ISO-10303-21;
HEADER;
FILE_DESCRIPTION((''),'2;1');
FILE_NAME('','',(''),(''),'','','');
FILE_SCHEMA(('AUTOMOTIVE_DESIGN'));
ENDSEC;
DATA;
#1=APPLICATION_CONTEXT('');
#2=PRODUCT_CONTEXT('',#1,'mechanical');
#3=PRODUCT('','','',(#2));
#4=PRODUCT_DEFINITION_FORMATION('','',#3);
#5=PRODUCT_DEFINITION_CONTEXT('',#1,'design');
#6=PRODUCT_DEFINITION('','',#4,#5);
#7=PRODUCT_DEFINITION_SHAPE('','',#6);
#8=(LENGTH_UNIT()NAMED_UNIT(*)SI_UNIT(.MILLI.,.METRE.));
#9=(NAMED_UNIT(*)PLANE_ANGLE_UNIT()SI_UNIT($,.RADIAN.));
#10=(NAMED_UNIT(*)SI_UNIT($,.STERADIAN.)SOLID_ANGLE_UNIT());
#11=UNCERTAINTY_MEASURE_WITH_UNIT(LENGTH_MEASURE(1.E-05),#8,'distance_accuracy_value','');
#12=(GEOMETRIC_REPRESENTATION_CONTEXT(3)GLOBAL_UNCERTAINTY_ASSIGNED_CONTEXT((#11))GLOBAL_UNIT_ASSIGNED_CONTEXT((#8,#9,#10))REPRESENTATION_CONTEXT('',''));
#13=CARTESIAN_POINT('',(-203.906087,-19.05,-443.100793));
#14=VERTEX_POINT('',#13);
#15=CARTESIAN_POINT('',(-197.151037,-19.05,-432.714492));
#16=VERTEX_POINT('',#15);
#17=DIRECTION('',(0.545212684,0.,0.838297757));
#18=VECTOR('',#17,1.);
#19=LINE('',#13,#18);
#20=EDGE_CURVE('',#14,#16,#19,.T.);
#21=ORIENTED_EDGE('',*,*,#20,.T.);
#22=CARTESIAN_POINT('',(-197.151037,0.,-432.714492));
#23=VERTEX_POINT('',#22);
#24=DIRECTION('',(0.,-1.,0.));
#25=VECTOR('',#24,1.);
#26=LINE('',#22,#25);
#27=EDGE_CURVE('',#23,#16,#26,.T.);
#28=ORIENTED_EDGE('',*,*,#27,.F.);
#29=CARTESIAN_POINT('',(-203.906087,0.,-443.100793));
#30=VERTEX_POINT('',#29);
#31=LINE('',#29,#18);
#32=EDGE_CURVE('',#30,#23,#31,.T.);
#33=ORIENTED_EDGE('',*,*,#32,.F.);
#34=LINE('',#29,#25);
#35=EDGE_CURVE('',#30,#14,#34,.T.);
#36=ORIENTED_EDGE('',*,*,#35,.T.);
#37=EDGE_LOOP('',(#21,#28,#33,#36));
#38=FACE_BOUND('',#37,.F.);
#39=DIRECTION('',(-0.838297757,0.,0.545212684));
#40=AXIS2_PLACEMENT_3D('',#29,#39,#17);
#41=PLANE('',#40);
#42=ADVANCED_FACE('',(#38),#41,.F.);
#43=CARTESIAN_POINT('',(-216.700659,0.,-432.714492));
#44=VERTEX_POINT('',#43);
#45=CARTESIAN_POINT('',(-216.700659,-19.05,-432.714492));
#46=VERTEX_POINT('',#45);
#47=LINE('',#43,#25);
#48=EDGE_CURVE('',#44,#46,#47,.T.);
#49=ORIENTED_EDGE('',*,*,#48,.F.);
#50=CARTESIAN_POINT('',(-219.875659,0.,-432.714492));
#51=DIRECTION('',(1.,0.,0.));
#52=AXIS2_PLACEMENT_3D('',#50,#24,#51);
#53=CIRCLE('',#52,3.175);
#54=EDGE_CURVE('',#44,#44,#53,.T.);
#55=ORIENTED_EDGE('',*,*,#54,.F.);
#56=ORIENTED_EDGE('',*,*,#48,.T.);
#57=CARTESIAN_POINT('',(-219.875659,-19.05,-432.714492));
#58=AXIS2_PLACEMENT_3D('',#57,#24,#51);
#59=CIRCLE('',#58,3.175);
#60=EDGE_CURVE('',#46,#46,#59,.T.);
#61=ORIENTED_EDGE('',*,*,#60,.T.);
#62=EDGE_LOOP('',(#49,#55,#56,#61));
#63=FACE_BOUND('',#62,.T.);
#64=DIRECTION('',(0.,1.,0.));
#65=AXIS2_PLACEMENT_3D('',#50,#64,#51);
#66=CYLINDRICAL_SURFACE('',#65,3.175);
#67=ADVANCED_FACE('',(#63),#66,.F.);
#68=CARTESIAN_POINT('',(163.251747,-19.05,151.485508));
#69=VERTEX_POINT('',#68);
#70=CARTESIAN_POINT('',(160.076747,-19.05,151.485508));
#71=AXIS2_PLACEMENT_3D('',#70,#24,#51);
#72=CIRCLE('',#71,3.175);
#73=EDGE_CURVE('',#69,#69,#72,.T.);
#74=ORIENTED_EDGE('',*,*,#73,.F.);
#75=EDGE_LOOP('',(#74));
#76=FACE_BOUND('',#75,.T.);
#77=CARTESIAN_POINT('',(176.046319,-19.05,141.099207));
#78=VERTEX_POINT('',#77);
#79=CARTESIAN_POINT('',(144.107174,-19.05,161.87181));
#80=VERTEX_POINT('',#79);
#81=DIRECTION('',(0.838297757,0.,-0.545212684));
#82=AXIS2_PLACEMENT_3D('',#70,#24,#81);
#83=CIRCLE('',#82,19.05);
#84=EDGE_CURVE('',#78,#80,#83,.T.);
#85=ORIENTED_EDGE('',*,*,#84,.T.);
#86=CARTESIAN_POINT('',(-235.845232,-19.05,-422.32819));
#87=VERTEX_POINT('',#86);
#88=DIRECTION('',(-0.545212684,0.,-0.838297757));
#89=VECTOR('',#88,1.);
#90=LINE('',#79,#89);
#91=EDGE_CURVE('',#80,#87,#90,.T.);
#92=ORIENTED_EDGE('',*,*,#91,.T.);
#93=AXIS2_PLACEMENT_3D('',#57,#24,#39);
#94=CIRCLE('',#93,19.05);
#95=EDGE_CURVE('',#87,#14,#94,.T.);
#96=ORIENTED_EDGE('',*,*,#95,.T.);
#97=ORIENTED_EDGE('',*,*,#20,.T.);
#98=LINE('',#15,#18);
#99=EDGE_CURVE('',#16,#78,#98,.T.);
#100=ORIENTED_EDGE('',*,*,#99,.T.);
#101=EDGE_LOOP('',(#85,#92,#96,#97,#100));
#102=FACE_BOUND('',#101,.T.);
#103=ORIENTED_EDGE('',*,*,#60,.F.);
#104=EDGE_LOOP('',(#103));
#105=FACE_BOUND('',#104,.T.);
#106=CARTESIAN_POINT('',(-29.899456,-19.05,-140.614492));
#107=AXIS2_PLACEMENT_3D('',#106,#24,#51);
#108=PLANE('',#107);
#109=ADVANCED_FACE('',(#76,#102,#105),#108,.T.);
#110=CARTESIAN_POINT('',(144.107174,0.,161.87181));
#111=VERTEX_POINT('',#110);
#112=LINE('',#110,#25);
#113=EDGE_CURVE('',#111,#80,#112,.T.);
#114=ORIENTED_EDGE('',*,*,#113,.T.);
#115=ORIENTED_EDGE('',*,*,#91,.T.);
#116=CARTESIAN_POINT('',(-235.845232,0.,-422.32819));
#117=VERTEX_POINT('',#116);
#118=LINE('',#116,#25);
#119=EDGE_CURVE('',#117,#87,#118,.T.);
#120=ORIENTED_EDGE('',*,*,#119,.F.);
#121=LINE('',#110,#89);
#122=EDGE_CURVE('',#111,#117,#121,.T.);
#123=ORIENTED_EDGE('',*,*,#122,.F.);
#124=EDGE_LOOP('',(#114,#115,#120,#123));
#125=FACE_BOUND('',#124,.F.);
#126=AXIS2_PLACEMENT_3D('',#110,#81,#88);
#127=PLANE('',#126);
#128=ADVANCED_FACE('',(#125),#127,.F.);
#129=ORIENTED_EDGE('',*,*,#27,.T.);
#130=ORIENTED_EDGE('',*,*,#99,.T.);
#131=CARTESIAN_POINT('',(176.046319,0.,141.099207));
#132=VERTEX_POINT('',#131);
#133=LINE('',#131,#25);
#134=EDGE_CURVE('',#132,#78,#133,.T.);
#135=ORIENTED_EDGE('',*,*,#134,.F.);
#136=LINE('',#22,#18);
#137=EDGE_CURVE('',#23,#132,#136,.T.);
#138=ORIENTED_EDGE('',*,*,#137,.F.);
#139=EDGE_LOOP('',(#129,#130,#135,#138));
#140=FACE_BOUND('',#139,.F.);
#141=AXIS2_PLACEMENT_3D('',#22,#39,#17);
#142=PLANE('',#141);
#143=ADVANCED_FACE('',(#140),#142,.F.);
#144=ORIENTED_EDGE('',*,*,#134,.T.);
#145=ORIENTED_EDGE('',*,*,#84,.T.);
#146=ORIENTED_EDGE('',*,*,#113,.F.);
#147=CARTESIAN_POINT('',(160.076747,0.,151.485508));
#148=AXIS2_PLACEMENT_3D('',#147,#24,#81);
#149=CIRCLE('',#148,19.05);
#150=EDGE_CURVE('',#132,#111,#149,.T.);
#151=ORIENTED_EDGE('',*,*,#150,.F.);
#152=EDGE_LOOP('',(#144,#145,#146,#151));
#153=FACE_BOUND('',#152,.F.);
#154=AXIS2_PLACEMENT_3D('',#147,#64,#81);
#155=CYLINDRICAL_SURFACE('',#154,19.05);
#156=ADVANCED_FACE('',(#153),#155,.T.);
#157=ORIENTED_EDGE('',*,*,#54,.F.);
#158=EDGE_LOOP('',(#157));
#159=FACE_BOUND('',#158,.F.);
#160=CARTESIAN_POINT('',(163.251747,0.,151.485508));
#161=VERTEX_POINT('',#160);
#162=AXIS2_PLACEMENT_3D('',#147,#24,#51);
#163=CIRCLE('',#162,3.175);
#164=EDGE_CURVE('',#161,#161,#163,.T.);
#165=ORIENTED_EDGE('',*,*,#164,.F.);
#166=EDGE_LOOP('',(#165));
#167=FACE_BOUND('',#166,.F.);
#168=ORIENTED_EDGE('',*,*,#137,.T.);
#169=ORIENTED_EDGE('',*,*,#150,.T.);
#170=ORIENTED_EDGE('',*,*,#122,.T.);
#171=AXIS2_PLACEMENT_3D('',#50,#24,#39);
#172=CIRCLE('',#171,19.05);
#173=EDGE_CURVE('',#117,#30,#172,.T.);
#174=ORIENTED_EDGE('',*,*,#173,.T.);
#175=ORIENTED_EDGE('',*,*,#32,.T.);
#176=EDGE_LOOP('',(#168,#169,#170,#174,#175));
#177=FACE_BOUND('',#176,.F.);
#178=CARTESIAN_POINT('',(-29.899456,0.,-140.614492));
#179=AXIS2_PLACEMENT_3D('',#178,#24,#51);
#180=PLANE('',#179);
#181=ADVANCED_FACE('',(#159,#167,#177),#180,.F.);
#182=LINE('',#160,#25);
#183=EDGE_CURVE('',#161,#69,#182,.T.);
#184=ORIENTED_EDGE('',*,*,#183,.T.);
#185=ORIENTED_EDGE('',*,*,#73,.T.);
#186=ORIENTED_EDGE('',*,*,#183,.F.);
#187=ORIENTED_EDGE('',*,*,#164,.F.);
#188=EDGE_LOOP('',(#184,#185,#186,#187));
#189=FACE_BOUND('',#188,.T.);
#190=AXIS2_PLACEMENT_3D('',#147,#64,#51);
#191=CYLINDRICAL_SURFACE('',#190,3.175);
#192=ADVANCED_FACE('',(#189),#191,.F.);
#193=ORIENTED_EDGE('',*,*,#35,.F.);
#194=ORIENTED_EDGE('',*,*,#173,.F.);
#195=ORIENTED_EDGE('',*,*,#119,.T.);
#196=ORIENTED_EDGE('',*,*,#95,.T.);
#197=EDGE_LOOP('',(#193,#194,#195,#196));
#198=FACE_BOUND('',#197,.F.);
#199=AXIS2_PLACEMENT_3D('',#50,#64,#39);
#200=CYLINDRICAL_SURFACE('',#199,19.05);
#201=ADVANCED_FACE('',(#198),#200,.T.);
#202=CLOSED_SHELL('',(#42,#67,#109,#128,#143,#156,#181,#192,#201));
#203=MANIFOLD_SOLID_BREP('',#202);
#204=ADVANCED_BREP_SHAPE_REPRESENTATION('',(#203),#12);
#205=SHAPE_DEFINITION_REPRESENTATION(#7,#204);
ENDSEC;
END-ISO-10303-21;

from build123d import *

# Parameters (mm, degrees)
F0_R     = 3.175
F1_DEPTH = 19.05


with BuildPart() as f1:
    # F0 (on Front) → F1 (new body)
    with BuildSketch(Plane.XZ):
        with BuildLine():
            Line((-203.9060870256, -443.1007931722), (-197.1510368857, -432.7144915486))
            Line((-197.1510368857, -432.7144915486), (176.0463190104, 141.0992068278))
            ThreePointArc((176.0463190104, 141.0992068278), (170.463048361, 167.4550807244), (144.1071744644, 161.871810075))
            Line((144.1071744644, 161.871810075), (-235.8452315716, -422.328189925))
            ThreePointArc((-235.8452315716, -422.328189925), (-230.2619609222, -448.6840638216), (-203.9060870256, -443.1007931722))
        make_face()
        with Locations((-219.8756592986, -432.7144915486)):
            Circle(F0_R, mode=Mode.SUBTRACT)
        with Locations((160.0767467374, 151.4855084514)):
            Circle(F0_R, mode=Mode.SUBTRACT)
    extrude(amount=F1_DEPTH)


solid = f1.part
